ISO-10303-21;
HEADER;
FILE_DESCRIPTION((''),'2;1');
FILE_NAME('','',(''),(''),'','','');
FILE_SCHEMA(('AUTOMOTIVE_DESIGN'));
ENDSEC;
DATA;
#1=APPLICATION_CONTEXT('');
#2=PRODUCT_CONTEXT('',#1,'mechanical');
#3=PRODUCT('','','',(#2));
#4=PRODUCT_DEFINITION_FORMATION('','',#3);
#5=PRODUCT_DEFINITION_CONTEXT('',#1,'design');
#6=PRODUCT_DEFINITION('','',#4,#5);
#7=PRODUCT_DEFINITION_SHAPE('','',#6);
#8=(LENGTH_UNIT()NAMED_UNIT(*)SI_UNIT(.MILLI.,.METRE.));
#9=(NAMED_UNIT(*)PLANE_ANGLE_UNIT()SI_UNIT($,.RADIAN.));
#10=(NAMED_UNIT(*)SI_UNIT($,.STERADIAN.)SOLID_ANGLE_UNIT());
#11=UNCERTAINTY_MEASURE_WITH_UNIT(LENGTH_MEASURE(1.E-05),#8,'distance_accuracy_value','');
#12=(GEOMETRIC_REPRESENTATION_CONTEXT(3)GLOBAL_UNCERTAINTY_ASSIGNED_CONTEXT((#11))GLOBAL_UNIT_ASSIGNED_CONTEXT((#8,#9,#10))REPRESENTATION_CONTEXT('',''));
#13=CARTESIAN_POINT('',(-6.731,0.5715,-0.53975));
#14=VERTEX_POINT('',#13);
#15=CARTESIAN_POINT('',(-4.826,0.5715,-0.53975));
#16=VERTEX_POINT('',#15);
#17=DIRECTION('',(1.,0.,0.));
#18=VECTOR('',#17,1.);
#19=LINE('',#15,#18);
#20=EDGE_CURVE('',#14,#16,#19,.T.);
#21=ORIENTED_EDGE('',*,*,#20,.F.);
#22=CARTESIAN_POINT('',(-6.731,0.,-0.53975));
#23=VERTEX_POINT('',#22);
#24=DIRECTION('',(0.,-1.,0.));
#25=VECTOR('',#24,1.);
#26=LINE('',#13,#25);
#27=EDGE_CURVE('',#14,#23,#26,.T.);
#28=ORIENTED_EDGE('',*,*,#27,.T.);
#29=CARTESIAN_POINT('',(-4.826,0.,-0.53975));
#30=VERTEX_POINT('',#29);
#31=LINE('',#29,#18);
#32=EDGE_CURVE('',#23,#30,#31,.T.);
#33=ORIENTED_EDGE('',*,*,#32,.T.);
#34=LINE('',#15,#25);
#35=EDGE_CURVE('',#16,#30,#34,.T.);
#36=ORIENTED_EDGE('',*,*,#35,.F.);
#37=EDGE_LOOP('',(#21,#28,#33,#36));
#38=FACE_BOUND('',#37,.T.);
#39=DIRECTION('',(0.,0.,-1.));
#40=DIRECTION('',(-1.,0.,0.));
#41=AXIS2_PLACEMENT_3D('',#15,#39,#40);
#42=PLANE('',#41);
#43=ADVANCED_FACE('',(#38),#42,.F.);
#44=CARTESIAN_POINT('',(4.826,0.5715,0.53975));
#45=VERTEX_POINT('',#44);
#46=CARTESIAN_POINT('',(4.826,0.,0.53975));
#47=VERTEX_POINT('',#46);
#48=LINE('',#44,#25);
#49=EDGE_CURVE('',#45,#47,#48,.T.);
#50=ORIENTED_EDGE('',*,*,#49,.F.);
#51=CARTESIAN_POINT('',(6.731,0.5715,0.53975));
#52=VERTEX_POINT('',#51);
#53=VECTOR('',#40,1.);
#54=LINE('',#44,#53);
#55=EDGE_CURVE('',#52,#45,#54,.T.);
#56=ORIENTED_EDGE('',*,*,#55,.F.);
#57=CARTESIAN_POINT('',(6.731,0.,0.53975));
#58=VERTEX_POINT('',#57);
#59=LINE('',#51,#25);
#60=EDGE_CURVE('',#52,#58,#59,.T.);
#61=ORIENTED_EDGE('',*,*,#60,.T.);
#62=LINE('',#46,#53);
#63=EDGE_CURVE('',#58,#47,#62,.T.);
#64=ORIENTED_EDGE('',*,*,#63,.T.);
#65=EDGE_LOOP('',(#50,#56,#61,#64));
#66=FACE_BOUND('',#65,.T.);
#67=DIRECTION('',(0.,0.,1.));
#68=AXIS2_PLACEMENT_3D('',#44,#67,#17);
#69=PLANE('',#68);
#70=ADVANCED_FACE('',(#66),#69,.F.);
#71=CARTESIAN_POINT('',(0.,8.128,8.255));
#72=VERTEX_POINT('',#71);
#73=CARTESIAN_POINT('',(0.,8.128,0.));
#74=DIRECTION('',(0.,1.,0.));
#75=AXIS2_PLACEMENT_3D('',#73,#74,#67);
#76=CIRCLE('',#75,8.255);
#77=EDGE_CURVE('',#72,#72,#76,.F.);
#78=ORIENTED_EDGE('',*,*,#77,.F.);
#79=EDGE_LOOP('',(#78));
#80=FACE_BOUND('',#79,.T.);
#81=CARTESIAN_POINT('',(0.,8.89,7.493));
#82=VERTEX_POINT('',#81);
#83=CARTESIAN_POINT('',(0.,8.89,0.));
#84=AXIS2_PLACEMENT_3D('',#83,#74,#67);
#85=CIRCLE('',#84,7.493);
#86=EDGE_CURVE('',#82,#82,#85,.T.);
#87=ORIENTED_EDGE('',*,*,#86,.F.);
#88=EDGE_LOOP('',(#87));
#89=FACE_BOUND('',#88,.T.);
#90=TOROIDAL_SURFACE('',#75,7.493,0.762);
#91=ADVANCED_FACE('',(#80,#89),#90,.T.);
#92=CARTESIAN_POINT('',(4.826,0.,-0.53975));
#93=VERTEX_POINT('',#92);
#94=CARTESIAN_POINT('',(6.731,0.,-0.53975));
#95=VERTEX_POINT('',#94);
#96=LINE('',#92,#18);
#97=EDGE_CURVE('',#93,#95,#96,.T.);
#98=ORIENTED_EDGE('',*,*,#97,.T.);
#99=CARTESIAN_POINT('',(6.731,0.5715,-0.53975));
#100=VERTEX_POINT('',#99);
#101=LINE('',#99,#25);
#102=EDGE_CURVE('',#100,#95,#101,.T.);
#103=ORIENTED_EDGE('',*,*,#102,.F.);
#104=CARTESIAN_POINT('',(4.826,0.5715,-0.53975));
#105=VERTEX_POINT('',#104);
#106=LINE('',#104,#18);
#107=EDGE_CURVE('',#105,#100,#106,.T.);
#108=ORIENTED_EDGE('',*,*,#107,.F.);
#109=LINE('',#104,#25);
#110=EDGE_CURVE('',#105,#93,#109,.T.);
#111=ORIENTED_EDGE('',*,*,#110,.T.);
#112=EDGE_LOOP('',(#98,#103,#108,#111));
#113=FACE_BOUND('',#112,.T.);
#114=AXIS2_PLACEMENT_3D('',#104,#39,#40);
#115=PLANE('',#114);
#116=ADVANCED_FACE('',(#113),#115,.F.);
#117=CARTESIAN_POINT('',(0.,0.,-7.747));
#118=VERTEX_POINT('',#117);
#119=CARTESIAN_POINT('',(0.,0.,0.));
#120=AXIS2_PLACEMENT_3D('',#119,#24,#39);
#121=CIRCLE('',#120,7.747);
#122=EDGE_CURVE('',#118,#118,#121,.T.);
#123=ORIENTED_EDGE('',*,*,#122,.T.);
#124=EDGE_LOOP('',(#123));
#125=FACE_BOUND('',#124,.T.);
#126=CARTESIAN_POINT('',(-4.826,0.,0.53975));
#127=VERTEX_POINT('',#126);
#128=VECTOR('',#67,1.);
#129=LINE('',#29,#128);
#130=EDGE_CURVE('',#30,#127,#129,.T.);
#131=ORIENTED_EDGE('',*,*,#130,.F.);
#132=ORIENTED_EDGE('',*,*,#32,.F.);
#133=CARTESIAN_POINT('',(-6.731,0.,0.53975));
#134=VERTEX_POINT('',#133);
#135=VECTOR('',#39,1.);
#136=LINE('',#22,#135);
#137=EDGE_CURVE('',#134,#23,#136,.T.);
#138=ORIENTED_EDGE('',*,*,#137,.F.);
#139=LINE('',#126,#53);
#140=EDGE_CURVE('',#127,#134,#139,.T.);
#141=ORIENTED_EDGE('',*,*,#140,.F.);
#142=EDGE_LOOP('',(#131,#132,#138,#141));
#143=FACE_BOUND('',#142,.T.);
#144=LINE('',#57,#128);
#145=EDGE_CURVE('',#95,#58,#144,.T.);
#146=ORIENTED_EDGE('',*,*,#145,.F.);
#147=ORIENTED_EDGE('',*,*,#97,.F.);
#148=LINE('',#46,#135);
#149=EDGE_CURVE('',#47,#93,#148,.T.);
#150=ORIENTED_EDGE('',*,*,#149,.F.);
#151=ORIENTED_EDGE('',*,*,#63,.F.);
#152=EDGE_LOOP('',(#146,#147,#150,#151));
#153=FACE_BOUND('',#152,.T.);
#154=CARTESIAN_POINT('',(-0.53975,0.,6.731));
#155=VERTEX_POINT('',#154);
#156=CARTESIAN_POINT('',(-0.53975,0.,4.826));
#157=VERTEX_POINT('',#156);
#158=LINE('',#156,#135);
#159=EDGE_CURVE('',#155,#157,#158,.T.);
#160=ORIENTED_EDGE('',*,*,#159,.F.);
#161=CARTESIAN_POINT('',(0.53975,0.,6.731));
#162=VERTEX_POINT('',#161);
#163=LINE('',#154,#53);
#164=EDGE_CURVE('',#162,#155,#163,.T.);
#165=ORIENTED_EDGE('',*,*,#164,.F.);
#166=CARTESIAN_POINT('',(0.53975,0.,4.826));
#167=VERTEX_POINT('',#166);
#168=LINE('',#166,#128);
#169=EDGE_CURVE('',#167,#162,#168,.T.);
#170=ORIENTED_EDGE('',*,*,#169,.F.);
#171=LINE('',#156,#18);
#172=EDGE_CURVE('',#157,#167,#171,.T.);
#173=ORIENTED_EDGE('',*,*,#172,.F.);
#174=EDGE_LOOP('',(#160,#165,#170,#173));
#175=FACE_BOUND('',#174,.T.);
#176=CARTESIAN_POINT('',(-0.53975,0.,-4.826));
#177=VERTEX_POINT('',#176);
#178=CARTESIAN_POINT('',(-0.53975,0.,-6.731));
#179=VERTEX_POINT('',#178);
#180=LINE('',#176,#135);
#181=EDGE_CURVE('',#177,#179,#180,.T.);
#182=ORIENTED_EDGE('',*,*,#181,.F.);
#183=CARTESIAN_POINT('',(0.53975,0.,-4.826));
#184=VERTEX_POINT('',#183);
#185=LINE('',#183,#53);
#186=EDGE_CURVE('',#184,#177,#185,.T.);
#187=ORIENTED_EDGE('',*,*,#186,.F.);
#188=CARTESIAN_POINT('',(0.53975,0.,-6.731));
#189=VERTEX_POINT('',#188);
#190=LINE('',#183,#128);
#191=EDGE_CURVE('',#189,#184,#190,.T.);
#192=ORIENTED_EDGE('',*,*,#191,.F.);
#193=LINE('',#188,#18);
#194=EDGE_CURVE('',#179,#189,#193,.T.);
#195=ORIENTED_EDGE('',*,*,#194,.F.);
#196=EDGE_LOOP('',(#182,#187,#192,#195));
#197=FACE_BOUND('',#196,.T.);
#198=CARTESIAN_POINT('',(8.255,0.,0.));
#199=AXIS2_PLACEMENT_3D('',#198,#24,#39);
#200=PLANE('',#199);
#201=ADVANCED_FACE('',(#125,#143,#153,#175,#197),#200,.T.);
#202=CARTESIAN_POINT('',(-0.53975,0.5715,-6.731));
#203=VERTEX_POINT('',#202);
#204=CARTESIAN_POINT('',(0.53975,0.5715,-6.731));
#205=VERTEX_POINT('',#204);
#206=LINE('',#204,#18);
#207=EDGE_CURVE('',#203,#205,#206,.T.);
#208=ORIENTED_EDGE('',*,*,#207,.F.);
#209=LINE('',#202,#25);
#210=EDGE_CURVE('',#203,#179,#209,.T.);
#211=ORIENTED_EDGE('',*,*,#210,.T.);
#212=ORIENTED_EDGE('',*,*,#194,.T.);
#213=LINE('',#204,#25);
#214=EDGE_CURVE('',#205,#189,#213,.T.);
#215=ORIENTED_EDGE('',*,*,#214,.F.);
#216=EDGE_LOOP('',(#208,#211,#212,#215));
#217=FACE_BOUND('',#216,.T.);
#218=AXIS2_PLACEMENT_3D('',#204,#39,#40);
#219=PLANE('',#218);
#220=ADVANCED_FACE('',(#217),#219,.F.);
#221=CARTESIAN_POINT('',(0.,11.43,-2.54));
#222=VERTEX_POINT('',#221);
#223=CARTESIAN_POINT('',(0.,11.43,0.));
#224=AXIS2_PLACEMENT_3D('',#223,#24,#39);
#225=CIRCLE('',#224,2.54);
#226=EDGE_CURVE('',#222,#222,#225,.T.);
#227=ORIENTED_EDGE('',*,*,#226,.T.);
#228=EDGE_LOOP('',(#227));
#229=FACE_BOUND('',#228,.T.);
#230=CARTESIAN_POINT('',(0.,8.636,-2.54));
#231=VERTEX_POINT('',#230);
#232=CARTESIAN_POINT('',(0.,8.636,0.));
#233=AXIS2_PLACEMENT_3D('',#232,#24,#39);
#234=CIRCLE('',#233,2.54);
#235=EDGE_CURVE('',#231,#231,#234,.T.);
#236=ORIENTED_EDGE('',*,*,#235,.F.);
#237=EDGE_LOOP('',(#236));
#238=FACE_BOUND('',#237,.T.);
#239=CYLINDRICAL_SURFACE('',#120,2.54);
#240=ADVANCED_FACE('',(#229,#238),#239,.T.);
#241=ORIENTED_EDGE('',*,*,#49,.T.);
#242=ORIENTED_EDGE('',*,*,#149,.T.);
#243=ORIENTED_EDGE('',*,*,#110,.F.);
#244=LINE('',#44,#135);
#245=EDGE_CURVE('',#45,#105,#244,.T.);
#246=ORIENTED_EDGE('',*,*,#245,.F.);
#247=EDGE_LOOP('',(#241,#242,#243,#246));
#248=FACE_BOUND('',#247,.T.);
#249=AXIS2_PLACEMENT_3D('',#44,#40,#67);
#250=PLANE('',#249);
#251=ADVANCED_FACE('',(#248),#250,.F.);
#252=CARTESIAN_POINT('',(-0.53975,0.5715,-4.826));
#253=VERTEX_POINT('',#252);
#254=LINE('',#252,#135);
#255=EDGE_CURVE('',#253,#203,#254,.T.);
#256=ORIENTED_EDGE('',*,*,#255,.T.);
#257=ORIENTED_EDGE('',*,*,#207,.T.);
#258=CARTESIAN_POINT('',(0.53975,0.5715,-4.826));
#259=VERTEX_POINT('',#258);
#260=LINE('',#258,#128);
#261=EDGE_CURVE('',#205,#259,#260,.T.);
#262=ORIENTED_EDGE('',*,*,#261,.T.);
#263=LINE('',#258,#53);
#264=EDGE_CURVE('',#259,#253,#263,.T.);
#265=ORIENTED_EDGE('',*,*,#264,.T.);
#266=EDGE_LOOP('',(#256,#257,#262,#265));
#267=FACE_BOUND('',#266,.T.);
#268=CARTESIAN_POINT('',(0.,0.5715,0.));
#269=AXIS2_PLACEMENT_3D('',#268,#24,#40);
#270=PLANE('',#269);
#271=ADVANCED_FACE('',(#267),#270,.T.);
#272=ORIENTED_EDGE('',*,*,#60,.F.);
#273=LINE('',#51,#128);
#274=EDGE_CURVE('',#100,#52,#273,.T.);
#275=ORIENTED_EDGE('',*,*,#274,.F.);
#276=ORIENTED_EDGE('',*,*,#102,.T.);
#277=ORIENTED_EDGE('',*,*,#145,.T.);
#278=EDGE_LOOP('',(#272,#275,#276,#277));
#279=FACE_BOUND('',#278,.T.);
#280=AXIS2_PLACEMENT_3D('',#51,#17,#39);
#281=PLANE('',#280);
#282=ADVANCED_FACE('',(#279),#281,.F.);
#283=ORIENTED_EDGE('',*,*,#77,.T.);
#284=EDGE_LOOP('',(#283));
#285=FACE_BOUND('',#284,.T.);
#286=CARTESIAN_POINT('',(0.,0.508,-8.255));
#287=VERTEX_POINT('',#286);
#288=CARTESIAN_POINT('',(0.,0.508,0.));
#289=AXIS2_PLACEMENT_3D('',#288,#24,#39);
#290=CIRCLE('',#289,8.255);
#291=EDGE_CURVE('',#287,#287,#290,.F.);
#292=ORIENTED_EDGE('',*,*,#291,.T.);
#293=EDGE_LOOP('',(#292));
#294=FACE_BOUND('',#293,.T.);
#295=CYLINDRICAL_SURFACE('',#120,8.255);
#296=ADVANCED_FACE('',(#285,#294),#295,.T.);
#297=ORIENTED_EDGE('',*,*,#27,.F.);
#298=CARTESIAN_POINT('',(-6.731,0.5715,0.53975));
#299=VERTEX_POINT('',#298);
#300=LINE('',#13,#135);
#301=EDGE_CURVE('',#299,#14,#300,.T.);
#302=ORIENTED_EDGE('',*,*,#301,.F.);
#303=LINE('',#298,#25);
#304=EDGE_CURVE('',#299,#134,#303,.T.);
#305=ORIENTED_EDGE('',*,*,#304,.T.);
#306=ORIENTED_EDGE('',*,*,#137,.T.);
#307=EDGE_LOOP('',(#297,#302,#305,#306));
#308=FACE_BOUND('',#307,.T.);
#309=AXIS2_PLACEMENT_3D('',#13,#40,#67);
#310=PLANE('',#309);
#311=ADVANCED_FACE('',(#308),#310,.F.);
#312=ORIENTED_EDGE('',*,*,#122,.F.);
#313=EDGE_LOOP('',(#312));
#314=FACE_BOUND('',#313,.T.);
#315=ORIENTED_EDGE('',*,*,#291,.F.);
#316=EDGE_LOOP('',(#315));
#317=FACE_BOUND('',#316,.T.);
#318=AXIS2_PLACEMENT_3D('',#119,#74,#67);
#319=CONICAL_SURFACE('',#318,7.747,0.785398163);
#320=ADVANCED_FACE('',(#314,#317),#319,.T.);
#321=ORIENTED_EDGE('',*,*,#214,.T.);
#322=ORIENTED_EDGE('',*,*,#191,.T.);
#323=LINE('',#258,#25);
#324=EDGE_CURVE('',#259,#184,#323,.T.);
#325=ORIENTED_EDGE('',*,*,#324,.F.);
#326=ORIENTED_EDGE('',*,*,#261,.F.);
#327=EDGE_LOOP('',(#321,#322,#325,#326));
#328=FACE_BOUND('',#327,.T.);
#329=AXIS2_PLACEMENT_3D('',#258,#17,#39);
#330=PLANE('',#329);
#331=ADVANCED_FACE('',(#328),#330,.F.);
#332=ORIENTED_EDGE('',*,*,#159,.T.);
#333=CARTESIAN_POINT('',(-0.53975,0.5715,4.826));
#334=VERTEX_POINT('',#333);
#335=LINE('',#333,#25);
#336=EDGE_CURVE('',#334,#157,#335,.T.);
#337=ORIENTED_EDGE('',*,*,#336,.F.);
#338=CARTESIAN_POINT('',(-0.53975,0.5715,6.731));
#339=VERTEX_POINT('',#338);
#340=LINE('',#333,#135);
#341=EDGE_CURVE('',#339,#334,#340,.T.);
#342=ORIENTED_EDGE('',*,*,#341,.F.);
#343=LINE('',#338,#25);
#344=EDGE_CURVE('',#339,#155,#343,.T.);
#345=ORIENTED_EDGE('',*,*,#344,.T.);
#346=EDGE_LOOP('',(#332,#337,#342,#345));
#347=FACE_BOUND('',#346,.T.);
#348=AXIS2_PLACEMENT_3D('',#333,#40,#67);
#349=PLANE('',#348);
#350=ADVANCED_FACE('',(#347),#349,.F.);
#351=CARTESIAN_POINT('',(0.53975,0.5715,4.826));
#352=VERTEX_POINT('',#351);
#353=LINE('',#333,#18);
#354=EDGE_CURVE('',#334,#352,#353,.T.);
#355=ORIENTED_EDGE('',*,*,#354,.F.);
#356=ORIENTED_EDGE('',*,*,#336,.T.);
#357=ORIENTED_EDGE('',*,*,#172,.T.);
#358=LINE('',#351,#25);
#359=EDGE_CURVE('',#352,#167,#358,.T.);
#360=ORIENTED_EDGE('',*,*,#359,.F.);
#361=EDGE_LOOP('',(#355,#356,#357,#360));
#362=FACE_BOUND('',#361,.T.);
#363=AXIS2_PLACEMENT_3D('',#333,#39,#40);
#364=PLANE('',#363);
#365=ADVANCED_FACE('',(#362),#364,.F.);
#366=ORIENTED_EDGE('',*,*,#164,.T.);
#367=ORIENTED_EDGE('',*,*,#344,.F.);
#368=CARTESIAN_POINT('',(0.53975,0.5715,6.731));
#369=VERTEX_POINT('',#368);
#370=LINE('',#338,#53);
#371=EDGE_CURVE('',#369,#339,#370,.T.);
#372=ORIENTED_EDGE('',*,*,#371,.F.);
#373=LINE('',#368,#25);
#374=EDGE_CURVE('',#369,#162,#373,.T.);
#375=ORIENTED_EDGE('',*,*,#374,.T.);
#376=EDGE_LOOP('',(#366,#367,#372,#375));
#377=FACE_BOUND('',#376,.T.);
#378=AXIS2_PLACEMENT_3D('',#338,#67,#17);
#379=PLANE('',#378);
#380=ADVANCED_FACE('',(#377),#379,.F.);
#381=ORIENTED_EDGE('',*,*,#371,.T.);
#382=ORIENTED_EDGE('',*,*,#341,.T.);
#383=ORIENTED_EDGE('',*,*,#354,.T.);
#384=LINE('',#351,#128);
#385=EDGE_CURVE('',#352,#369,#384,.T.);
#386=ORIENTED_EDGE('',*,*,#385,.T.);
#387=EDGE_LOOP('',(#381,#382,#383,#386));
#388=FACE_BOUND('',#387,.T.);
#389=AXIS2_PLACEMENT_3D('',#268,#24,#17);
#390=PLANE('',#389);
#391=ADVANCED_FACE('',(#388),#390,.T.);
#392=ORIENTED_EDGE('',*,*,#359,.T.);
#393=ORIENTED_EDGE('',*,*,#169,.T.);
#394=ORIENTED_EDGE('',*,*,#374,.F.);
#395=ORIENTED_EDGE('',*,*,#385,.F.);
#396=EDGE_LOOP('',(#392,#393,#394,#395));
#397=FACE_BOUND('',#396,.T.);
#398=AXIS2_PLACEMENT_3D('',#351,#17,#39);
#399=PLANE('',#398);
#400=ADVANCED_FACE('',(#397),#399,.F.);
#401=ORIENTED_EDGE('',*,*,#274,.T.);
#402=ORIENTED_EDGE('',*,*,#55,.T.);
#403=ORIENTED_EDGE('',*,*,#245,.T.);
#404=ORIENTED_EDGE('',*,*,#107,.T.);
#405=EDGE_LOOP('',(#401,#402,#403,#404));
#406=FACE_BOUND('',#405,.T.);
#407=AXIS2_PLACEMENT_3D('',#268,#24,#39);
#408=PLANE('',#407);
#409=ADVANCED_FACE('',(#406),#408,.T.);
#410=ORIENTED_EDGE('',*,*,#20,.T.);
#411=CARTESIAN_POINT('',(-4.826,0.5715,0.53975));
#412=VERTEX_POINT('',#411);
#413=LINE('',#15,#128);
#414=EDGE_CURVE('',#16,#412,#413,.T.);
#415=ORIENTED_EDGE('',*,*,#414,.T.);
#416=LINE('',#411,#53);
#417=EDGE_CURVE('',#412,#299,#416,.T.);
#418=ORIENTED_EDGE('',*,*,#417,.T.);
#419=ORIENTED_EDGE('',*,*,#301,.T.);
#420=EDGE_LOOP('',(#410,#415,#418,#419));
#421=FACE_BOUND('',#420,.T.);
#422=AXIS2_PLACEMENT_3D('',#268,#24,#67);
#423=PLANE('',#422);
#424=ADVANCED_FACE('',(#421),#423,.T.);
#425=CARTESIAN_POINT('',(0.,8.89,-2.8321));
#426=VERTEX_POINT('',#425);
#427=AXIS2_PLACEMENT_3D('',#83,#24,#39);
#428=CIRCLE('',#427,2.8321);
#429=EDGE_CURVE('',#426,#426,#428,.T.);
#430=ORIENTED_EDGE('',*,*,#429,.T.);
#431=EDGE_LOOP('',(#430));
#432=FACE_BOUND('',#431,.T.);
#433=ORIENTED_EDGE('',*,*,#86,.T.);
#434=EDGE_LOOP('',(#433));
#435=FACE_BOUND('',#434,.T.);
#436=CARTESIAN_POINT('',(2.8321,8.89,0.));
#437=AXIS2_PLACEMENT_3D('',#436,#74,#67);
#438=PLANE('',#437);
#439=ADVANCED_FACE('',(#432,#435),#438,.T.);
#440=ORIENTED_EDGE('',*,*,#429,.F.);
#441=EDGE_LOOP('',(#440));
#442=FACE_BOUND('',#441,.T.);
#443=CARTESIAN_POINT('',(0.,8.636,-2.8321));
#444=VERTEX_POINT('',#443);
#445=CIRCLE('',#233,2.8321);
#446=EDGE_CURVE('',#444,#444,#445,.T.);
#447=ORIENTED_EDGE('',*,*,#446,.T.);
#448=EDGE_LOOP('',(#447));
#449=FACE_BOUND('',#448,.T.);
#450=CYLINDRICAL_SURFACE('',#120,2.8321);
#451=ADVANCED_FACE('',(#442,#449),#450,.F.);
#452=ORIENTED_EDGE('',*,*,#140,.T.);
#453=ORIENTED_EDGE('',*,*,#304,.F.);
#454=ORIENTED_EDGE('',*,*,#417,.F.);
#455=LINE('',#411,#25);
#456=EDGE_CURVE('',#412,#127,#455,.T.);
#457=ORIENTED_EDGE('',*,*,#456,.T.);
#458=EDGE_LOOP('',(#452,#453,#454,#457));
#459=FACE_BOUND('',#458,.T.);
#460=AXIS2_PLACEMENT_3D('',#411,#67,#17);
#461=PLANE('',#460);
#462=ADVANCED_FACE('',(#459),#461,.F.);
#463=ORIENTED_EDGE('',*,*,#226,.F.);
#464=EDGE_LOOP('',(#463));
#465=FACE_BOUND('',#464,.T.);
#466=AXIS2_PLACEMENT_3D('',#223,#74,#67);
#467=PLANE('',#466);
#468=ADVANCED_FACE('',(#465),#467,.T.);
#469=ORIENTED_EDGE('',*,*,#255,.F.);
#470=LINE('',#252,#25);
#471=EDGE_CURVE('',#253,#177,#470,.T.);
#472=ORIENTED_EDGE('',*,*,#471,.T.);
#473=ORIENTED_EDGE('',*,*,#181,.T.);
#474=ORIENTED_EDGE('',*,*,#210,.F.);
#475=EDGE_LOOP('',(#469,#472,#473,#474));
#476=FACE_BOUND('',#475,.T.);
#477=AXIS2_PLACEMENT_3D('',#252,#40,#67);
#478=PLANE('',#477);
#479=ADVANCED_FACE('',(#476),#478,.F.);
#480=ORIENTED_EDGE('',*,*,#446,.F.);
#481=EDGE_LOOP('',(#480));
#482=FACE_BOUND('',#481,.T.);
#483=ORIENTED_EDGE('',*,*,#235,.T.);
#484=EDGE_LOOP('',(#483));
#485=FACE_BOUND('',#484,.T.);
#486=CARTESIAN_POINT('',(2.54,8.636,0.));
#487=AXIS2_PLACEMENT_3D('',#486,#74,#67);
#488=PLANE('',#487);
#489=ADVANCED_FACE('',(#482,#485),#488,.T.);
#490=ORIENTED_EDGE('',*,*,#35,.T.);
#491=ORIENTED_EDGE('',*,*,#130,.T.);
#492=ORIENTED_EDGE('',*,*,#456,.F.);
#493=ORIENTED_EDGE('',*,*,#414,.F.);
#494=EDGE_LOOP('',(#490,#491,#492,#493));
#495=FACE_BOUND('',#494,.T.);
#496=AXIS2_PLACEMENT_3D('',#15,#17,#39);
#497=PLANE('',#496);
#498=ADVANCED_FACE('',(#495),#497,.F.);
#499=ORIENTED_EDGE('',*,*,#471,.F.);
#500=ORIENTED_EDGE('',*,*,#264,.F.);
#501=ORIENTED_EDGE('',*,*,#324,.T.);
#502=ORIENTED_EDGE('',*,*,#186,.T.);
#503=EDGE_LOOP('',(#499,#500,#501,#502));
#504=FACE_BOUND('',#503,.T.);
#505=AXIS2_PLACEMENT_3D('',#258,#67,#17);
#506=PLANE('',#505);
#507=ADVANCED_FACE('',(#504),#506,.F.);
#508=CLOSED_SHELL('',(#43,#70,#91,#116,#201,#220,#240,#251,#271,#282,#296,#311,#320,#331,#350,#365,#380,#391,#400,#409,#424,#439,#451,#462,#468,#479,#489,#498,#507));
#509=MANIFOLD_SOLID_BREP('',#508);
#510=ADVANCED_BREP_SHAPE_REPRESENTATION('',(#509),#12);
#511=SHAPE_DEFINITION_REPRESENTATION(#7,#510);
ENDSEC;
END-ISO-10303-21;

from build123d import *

# Parameters (mm, degrees)
FILLET1_R          = 0.762
CHAMFER1_SIZE      = 0.508
SKETCH2_W          = 1.905
SKETCH2_H          = 1.0795
CUT_EXTRUDE1_DEPTH = 0.5715
CIRPATTERN1_COUNT  = 4


with BuildPart() as part:
    # Sketch1 → Revolve1 (revolve)
    with BuildSketch(Plane.XY, mode=Mode.PRIVATE) as revolve1_sk:
        Polygon((0, 0), (0, 11.43), (2.54, 11.43), (2.54, 8.89), (2.54, 8.636), (2.8321, 8.636), (2.8321, 8.89), (8.255, 8.89), (8.255, 0), align=None)
    revolve(revolve1_sk.sketch.rotate(Axis((0, 0, 0), (0, 1, 0)), 90), axis=Axis((0, 0, 0), (0, 1, 0)))

    # Fillet1
    fillet1_edges = [part.edges().sort_by_distance(p)[0] for p in [
        (0, 8.89, 8.255),
    ]]
    fillet(fillet1_edges, radius=FILLET1_R)

    # Chamfer1
    chamfer1_edges = [part.edges().sort_by_distance(p)[0] for p in [
        (0, 0, 8.255),
    ]]
    chamfer(chamfer1_edges, length=CHAMFER1_SIZE)

    # Sketch2 → Cut-Extrude1 (cut)
    with BuildSketch(Plane.XZ):
        with Locations((5.7785, 0)):
            Rectangle(SKETCH2_W, SKETCH2_H)
    cut_extrude1 = extrude(amount=-CUT_EXTRUDE1_DEPTH, mode=Mode.SUBTRACT)

    # CirPattern1: Cut-Extrude1 ×4 about axis
    cirpattern1_axis = Axis((0, 0, 0), (0, 1, 0))
    for i in range(1, CIRPATTERN1_COUNT):
        add(cut_extrude1.rotate(cirpattern1_axis, i * 360 / CIRPATTERN1_COUNT), mode=Mode.SUBTRACT)


solid = part.part
